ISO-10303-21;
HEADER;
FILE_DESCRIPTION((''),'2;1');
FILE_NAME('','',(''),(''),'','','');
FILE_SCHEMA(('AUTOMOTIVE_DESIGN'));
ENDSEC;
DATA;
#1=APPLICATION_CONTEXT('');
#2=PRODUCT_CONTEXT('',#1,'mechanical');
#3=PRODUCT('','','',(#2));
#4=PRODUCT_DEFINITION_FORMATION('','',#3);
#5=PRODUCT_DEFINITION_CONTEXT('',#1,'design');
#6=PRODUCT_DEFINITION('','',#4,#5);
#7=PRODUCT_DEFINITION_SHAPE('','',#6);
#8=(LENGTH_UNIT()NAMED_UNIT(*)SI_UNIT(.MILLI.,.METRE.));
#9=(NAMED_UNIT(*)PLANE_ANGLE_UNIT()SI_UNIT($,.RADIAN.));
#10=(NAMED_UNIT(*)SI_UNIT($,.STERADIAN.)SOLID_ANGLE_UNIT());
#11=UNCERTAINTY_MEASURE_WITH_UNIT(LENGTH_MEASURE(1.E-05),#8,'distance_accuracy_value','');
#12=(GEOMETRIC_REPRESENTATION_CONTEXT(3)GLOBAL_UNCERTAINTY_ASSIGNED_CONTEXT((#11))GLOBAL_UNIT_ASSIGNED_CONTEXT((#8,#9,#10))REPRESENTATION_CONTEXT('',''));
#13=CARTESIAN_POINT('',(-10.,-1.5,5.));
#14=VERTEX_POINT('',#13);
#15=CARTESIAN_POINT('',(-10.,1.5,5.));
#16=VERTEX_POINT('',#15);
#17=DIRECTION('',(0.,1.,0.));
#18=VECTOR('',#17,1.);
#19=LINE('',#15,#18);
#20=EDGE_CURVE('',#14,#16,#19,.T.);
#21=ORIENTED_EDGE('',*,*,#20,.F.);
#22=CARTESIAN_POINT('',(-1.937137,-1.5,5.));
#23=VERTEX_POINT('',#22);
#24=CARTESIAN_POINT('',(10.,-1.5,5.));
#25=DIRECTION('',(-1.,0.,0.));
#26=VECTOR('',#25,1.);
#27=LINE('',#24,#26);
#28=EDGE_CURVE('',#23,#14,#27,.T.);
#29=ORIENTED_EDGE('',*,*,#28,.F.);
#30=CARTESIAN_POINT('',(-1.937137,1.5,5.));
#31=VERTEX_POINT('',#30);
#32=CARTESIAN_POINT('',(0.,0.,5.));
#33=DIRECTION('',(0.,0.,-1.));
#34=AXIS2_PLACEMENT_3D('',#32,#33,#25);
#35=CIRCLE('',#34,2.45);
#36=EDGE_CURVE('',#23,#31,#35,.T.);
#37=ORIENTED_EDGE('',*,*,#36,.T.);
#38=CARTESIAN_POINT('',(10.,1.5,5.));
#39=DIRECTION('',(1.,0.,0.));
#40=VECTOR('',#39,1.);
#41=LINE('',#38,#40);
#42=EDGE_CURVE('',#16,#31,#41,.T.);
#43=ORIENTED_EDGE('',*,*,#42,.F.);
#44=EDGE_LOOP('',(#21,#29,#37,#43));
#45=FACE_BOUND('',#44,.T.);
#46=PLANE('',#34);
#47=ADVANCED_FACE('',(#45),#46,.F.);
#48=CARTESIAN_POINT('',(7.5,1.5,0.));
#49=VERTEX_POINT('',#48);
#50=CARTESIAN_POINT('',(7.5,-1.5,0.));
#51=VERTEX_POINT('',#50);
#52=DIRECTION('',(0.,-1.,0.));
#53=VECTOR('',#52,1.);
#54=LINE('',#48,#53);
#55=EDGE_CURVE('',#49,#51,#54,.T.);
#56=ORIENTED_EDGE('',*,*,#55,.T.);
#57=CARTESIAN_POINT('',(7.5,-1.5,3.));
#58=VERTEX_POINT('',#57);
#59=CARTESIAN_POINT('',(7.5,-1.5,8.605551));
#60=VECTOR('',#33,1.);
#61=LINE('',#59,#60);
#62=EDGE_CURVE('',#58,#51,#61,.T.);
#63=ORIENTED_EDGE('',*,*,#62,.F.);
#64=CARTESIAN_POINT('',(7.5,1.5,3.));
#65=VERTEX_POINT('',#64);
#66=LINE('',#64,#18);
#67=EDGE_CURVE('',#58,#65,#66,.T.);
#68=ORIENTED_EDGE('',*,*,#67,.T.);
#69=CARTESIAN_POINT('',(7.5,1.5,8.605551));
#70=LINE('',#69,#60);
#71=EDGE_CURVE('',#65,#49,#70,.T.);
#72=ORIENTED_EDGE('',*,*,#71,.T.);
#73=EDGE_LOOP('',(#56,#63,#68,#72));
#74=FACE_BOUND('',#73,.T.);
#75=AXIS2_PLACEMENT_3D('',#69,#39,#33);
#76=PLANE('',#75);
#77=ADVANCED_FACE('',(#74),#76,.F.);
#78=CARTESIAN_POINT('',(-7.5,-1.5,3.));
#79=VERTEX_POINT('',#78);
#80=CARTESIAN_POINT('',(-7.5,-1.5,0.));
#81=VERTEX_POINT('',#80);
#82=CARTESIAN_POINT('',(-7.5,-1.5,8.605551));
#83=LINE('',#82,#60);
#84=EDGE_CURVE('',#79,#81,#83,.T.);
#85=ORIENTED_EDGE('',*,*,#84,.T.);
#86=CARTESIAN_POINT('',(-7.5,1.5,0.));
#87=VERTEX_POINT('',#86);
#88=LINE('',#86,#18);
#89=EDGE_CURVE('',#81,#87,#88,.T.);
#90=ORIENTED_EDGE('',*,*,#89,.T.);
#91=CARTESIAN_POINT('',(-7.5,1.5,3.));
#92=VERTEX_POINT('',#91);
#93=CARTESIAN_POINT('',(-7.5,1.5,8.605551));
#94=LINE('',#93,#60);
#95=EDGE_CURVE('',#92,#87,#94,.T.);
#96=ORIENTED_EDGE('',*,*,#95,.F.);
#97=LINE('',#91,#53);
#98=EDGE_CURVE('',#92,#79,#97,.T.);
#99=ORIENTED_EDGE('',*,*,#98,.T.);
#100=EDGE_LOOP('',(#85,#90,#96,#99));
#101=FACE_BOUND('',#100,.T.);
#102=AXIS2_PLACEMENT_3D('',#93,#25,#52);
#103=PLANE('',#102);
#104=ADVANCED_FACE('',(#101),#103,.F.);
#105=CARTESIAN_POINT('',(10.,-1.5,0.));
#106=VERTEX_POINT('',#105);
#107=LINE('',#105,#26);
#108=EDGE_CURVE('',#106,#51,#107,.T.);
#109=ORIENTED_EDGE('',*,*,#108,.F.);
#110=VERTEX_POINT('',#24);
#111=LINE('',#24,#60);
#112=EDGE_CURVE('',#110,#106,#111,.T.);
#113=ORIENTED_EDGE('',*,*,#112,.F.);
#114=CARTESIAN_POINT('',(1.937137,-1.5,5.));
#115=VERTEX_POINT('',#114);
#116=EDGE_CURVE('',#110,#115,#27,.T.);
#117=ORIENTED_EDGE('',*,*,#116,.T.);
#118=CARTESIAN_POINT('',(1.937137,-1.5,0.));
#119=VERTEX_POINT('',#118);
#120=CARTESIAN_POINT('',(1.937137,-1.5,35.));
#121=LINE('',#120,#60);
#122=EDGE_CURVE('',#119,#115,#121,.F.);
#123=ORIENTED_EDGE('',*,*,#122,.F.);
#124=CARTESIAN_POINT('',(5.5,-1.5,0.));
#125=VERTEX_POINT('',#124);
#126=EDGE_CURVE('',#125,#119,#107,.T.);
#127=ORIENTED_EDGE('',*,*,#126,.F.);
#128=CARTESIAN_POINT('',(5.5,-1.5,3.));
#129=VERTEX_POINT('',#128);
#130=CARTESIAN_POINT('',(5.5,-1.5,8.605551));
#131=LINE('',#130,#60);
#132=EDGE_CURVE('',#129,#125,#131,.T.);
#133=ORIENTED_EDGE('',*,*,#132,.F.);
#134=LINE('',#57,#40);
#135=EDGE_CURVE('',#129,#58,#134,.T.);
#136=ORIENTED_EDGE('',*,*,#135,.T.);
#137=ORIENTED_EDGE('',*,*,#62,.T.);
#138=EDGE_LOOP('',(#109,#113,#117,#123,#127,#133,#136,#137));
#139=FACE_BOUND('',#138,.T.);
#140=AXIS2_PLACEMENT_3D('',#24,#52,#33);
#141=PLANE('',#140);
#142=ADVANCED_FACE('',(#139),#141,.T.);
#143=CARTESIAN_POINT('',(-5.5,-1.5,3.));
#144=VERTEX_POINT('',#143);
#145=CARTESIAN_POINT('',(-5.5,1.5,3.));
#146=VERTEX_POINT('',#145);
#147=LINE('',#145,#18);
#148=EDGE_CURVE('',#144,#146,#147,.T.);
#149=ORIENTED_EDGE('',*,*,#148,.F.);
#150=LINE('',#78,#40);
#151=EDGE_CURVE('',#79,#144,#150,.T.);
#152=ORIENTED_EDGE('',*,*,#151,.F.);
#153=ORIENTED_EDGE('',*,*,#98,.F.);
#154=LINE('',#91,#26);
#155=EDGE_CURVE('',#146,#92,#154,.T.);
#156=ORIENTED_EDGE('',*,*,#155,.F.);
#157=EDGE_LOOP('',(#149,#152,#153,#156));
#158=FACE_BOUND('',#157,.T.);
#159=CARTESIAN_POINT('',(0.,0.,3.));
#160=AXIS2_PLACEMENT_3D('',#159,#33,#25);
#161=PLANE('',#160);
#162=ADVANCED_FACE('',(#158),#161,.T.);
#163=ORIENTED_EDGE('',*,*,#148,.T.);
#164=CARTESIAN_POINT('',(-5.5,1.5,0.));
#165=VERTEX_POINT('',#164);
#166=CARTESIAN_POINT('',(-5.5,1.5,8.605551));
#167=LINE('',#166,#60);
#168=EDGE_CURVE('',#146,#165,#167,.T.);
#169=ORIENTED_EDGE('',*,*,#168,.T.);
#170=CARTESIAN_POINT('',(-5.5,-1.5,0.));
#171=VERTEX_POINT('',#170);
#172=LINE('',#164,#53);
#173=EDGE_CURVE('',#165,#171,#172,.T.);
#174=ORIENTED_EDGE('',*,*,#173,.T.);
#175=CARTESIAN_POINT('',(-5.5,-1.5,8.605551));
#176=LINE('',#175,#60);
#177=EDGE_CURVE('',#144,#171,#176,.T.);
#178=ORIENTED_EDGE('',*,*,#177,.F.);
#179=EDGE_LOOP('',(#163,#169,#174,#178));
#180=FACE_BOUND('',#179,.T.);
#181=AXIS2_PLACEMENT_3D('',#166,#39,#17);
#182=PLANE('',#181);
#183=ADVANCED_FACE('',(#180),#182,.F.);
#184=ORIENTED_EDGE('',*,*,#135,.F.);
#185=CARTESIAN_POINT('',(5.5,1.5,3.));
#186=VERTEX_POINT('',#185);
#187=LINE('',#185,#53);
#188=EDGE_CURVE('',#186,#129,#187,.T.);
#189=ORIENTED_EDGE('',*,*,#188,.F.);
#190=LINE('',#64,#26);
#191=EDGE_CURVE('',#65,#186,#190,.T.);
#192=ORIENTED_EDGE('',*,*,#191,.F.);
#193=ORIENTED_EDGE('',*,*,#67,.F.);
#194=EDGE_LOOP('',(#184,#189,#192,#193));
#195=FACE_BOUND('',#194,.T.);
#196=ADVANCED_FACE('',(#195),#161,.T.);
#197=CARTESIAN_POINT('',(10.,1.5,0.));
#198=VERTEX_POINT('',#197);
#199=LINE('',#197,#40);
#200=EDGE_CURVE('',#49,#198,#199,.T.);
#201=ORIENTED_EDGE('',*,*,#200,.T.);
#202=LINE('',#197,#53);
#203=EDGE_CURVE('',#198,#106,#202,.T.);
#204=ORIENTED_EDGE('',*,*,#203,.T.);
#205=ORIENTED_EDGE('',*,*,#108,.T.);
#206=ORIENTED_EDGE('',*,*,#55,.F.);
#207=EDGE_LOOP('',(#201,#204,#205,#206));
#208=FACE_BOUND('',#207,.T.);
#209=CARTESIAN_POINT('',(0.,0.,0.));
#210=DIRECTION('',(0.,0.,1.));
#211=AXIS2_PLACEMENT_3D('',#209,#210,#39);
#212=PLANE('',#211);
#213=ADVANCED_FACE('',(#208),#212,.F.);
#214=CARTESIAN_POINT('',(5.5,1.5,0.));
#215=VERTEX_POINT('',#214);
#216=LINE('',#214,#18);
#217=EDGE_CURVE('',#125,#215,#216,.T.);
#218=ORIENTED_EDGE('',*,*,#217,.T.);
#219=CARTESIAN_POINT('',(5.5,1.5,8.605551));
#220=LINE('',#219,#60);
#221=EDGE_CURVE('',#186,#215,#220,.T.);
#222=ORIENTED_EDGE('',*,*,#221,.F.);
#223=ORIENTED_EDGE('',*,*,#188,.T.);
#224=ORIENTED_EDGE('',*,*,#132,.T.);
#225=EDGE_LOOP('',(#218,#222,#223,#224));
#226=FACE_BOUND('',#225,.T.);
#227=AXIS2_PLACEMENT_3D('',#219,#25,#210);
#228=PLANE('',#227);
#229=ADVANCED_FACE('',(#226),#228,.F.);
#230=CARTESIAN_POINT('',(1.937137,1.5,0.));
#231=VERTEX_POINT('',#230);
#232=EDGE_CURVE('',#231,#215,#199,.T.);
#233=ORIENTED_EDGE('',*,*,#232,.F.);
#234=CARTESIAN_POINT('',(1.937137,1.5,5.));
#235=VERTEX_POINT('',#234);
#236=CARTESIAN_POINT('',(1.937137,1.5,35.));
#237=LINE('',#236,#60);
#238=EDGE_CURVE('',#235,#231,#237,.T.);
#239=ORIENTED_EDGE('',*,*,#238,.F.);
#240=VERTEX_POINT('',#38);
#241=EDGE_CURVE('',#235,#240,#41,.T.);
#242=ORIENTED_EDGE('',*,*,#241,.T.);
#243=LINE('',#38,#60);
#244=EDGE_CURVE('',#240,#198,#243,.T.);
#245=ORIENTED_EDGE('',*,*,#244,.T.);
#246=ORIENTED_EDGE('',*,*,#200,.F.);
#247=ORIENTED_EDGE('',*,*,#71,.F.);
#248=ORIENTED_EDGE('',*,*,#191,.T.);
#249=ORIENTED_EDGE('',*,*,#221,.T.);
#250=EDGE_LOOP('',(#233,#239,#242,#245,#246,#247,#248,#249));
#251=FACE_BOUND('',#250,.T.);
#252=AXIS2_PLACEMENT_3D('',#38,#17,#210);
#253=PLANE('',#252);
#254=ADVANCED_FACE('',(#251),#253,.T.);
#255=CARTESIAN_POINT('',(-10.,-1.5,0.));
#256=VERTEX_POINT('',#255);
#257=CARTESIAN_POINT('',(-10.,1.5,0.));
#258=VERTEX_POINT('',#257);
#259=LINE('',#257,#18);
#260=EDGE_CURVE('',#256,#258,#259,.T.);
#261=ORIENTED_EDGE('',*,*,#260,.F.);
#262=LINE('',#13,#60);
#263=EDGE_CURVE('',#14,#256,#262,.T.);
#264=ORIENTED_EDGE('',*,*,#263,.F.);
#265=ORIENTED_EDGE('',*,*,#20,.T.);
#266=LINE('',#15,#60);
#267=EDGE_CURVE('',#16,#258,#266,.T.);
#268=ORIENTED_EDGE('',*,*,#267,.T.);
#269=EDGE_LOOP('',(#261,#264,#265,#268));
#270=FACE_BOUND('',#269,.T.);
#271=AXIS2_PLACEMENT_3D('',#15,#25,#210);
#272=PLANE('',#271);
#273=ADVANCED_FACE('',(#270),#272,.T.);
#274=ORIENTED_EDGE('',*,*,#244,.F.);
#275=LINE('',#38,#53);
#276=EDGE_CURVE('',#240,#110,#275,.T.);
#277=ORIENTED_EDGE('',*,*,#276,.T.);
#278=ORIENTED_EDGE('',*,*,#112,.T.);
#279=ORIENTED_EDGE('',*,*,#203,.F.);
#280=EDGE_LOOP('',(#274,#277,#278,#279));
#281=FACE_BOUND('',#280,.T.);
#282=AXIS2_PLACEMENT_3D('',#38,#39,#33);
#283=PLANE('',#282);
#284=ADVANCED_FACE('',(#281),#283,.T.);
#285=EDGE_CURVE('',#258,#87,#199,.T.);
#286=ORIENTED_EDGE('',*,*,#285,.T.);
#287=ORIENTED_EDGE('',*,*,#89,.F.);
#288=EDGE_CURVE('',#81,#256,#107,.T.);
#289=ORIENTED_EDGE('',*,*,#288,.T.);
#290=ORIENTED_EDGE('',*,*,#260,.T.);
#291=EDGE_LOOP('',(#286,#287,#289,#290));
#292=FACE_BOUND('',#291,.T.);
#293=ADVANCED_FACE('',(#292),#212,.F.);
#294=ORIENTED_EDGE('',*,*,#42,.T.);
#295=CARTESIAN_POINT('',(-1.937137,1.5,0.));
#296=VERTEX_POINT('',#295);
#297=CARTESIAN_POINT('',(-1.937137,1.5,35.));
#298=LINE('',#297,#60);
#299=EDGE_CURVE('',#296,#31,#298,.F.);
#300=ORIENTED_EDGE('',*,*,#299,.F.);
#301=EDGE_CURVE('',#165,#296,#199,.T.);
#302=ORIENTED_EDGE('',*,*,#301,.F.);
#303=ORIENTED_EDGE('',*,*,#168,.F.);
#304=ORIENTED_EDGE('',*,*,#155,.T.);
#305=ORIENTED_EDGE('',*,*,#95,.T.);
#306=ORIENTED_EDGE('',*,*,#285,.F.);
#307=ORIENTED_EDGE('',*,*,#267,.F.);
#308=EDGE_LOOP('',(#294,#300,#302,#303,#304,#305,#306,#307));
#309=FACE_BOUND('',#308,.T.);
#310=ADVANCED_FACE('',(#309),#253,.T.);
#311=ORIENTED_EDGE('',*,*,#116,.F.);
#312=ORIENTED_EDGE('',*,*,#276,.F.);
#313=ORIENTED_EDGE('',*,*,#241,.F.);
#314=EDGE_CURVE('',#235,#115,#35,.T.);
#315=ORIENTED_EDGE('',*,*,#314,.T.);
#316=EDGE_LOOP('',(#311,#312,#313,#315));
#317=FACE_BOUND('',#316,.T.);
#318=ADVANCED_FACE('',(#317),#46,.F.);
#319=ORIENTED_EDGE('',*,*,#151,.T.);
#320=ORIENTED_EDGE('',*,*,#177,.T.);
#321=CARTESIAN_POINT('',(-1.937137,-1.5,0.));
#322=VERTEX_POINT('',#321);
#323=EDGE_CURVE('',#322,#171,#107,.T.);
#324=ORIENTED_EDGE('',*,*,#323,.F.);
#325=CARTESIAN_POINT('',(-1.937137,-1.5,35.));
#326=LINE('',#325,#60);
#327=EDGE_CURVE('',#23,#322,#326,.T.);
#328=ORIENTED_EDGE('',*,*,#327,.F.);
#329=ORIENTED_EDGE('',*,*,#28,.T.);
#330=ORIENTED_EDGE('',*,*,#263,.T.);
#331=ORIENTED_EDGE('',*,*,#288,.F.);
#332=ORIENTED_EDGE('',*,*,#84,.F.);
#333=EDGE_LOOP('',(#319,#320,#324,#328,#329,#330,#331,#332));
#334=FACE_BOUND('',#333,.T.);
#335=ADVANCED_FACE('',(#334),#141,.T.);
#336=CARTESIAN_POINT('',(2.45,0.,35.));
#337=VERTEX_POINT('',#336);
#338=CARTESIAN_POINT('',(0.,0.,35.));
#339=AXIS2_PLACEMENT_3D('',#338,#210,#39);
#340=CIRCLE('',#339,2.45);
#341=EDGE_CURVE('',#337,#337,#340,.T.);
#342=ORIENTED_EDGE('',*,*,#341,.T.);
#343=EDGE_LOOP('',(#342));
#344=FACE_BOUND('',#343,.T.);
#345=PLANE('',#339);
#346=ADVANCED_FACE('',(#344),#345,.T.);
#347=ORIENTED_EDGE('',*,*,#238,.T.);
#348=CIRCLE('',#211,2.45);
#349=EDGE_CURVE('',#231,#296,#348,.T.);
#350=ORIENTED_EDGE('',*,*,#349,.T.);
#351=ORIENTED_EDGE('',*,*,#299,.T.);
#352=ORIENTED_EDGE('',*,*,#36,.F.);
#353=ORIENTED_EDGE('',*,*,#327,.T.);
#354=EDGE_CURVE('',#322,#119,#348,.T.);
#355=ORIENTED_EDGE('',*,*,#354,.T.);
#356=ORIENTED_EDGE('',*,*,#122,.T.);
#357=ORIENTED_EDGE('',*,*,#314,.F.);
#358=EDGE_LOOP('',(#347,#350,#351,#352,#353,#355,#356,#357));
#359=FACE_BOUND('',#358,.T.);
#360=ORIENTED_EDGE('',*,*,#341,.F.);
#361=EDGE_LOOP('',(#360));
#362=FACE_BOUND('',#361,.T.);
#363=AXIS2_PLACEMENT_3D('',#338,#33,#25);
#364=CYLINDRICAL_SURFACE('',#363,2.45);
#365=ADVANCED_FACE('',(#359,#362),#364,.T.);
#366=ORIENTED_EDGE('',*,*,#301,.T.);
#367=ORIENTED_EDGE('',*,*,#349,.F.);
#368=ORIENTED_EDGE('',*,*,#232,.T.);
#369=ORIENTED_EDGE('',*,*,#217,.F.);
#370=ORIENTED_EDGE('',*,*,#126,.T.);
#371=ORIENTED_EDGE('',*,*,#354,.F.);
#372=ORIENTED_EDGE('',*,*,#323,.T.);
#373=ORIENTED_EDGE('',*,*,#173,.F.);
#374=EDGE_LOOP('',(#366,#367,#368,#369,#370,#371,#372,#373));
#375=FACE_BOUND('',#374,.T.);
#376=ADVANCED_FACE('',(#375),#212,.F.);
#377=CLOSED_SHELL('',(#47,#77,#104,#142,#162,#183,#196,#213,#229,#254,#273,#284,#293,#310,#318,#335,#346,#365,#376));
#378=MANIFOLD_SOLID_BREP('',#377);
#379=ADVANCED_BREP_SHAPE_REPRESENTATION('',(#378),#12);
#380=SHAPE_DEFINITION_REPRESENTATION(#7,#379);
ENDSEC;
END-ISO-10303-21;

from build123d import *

# Parameters (mm, degrees)
SKETCH2_R           = 2.45
BOSS_EXTRUDE1_DEPTH = 35
SKETCH3_W           = 20
SKETCH3_H           = 3
BOSS_EXTRUDE2_DEPTH = 5
SKETCH4_W           = 2
SKETCH4_H           = 3
CUT_EXTRUDE1_DEPTH  = 3


with BuildPart() as part:
    # Sketch2 → Boss-Extrude1 (new body)
    with BuildSketch(Plane.XY):
        Circle(SKETCH2_R)
    extrude(amount=BOSS_EXTRUDE1_DEPTH)

    # Sketch3 → Boss-Extrude2 (add)
    with BuildSketch(Plane(origin=(0, 0, 0), x_dir=(-1, 0, 0), z_dir=(0, 0, -1))):
        Rectangle(SKETCH3_W, SKETCH3_H)
    extrude(amount=-BOSS_EXTRUDE2_DEPTH)

    # Sketch4 → Cut-Extrude1 (cut)
    with BuildSketch(Plane(origin=(0, 0, 0), x_dir=(-1, 0, 0), z_dir=(0, 0, -1))):
        with Locations((-6.5, 0)):
            Rectangle(SKETCH4_W, SKETCH4_H)
        with Locations((6.5, 0)):
            Rectangle(SKETCH4_W, SKETCH4_H)
    extrude(amount=-CUT_EXTRUDE1_DEPTH, mode=Mode.SUBTRACT)


solid = part.part
